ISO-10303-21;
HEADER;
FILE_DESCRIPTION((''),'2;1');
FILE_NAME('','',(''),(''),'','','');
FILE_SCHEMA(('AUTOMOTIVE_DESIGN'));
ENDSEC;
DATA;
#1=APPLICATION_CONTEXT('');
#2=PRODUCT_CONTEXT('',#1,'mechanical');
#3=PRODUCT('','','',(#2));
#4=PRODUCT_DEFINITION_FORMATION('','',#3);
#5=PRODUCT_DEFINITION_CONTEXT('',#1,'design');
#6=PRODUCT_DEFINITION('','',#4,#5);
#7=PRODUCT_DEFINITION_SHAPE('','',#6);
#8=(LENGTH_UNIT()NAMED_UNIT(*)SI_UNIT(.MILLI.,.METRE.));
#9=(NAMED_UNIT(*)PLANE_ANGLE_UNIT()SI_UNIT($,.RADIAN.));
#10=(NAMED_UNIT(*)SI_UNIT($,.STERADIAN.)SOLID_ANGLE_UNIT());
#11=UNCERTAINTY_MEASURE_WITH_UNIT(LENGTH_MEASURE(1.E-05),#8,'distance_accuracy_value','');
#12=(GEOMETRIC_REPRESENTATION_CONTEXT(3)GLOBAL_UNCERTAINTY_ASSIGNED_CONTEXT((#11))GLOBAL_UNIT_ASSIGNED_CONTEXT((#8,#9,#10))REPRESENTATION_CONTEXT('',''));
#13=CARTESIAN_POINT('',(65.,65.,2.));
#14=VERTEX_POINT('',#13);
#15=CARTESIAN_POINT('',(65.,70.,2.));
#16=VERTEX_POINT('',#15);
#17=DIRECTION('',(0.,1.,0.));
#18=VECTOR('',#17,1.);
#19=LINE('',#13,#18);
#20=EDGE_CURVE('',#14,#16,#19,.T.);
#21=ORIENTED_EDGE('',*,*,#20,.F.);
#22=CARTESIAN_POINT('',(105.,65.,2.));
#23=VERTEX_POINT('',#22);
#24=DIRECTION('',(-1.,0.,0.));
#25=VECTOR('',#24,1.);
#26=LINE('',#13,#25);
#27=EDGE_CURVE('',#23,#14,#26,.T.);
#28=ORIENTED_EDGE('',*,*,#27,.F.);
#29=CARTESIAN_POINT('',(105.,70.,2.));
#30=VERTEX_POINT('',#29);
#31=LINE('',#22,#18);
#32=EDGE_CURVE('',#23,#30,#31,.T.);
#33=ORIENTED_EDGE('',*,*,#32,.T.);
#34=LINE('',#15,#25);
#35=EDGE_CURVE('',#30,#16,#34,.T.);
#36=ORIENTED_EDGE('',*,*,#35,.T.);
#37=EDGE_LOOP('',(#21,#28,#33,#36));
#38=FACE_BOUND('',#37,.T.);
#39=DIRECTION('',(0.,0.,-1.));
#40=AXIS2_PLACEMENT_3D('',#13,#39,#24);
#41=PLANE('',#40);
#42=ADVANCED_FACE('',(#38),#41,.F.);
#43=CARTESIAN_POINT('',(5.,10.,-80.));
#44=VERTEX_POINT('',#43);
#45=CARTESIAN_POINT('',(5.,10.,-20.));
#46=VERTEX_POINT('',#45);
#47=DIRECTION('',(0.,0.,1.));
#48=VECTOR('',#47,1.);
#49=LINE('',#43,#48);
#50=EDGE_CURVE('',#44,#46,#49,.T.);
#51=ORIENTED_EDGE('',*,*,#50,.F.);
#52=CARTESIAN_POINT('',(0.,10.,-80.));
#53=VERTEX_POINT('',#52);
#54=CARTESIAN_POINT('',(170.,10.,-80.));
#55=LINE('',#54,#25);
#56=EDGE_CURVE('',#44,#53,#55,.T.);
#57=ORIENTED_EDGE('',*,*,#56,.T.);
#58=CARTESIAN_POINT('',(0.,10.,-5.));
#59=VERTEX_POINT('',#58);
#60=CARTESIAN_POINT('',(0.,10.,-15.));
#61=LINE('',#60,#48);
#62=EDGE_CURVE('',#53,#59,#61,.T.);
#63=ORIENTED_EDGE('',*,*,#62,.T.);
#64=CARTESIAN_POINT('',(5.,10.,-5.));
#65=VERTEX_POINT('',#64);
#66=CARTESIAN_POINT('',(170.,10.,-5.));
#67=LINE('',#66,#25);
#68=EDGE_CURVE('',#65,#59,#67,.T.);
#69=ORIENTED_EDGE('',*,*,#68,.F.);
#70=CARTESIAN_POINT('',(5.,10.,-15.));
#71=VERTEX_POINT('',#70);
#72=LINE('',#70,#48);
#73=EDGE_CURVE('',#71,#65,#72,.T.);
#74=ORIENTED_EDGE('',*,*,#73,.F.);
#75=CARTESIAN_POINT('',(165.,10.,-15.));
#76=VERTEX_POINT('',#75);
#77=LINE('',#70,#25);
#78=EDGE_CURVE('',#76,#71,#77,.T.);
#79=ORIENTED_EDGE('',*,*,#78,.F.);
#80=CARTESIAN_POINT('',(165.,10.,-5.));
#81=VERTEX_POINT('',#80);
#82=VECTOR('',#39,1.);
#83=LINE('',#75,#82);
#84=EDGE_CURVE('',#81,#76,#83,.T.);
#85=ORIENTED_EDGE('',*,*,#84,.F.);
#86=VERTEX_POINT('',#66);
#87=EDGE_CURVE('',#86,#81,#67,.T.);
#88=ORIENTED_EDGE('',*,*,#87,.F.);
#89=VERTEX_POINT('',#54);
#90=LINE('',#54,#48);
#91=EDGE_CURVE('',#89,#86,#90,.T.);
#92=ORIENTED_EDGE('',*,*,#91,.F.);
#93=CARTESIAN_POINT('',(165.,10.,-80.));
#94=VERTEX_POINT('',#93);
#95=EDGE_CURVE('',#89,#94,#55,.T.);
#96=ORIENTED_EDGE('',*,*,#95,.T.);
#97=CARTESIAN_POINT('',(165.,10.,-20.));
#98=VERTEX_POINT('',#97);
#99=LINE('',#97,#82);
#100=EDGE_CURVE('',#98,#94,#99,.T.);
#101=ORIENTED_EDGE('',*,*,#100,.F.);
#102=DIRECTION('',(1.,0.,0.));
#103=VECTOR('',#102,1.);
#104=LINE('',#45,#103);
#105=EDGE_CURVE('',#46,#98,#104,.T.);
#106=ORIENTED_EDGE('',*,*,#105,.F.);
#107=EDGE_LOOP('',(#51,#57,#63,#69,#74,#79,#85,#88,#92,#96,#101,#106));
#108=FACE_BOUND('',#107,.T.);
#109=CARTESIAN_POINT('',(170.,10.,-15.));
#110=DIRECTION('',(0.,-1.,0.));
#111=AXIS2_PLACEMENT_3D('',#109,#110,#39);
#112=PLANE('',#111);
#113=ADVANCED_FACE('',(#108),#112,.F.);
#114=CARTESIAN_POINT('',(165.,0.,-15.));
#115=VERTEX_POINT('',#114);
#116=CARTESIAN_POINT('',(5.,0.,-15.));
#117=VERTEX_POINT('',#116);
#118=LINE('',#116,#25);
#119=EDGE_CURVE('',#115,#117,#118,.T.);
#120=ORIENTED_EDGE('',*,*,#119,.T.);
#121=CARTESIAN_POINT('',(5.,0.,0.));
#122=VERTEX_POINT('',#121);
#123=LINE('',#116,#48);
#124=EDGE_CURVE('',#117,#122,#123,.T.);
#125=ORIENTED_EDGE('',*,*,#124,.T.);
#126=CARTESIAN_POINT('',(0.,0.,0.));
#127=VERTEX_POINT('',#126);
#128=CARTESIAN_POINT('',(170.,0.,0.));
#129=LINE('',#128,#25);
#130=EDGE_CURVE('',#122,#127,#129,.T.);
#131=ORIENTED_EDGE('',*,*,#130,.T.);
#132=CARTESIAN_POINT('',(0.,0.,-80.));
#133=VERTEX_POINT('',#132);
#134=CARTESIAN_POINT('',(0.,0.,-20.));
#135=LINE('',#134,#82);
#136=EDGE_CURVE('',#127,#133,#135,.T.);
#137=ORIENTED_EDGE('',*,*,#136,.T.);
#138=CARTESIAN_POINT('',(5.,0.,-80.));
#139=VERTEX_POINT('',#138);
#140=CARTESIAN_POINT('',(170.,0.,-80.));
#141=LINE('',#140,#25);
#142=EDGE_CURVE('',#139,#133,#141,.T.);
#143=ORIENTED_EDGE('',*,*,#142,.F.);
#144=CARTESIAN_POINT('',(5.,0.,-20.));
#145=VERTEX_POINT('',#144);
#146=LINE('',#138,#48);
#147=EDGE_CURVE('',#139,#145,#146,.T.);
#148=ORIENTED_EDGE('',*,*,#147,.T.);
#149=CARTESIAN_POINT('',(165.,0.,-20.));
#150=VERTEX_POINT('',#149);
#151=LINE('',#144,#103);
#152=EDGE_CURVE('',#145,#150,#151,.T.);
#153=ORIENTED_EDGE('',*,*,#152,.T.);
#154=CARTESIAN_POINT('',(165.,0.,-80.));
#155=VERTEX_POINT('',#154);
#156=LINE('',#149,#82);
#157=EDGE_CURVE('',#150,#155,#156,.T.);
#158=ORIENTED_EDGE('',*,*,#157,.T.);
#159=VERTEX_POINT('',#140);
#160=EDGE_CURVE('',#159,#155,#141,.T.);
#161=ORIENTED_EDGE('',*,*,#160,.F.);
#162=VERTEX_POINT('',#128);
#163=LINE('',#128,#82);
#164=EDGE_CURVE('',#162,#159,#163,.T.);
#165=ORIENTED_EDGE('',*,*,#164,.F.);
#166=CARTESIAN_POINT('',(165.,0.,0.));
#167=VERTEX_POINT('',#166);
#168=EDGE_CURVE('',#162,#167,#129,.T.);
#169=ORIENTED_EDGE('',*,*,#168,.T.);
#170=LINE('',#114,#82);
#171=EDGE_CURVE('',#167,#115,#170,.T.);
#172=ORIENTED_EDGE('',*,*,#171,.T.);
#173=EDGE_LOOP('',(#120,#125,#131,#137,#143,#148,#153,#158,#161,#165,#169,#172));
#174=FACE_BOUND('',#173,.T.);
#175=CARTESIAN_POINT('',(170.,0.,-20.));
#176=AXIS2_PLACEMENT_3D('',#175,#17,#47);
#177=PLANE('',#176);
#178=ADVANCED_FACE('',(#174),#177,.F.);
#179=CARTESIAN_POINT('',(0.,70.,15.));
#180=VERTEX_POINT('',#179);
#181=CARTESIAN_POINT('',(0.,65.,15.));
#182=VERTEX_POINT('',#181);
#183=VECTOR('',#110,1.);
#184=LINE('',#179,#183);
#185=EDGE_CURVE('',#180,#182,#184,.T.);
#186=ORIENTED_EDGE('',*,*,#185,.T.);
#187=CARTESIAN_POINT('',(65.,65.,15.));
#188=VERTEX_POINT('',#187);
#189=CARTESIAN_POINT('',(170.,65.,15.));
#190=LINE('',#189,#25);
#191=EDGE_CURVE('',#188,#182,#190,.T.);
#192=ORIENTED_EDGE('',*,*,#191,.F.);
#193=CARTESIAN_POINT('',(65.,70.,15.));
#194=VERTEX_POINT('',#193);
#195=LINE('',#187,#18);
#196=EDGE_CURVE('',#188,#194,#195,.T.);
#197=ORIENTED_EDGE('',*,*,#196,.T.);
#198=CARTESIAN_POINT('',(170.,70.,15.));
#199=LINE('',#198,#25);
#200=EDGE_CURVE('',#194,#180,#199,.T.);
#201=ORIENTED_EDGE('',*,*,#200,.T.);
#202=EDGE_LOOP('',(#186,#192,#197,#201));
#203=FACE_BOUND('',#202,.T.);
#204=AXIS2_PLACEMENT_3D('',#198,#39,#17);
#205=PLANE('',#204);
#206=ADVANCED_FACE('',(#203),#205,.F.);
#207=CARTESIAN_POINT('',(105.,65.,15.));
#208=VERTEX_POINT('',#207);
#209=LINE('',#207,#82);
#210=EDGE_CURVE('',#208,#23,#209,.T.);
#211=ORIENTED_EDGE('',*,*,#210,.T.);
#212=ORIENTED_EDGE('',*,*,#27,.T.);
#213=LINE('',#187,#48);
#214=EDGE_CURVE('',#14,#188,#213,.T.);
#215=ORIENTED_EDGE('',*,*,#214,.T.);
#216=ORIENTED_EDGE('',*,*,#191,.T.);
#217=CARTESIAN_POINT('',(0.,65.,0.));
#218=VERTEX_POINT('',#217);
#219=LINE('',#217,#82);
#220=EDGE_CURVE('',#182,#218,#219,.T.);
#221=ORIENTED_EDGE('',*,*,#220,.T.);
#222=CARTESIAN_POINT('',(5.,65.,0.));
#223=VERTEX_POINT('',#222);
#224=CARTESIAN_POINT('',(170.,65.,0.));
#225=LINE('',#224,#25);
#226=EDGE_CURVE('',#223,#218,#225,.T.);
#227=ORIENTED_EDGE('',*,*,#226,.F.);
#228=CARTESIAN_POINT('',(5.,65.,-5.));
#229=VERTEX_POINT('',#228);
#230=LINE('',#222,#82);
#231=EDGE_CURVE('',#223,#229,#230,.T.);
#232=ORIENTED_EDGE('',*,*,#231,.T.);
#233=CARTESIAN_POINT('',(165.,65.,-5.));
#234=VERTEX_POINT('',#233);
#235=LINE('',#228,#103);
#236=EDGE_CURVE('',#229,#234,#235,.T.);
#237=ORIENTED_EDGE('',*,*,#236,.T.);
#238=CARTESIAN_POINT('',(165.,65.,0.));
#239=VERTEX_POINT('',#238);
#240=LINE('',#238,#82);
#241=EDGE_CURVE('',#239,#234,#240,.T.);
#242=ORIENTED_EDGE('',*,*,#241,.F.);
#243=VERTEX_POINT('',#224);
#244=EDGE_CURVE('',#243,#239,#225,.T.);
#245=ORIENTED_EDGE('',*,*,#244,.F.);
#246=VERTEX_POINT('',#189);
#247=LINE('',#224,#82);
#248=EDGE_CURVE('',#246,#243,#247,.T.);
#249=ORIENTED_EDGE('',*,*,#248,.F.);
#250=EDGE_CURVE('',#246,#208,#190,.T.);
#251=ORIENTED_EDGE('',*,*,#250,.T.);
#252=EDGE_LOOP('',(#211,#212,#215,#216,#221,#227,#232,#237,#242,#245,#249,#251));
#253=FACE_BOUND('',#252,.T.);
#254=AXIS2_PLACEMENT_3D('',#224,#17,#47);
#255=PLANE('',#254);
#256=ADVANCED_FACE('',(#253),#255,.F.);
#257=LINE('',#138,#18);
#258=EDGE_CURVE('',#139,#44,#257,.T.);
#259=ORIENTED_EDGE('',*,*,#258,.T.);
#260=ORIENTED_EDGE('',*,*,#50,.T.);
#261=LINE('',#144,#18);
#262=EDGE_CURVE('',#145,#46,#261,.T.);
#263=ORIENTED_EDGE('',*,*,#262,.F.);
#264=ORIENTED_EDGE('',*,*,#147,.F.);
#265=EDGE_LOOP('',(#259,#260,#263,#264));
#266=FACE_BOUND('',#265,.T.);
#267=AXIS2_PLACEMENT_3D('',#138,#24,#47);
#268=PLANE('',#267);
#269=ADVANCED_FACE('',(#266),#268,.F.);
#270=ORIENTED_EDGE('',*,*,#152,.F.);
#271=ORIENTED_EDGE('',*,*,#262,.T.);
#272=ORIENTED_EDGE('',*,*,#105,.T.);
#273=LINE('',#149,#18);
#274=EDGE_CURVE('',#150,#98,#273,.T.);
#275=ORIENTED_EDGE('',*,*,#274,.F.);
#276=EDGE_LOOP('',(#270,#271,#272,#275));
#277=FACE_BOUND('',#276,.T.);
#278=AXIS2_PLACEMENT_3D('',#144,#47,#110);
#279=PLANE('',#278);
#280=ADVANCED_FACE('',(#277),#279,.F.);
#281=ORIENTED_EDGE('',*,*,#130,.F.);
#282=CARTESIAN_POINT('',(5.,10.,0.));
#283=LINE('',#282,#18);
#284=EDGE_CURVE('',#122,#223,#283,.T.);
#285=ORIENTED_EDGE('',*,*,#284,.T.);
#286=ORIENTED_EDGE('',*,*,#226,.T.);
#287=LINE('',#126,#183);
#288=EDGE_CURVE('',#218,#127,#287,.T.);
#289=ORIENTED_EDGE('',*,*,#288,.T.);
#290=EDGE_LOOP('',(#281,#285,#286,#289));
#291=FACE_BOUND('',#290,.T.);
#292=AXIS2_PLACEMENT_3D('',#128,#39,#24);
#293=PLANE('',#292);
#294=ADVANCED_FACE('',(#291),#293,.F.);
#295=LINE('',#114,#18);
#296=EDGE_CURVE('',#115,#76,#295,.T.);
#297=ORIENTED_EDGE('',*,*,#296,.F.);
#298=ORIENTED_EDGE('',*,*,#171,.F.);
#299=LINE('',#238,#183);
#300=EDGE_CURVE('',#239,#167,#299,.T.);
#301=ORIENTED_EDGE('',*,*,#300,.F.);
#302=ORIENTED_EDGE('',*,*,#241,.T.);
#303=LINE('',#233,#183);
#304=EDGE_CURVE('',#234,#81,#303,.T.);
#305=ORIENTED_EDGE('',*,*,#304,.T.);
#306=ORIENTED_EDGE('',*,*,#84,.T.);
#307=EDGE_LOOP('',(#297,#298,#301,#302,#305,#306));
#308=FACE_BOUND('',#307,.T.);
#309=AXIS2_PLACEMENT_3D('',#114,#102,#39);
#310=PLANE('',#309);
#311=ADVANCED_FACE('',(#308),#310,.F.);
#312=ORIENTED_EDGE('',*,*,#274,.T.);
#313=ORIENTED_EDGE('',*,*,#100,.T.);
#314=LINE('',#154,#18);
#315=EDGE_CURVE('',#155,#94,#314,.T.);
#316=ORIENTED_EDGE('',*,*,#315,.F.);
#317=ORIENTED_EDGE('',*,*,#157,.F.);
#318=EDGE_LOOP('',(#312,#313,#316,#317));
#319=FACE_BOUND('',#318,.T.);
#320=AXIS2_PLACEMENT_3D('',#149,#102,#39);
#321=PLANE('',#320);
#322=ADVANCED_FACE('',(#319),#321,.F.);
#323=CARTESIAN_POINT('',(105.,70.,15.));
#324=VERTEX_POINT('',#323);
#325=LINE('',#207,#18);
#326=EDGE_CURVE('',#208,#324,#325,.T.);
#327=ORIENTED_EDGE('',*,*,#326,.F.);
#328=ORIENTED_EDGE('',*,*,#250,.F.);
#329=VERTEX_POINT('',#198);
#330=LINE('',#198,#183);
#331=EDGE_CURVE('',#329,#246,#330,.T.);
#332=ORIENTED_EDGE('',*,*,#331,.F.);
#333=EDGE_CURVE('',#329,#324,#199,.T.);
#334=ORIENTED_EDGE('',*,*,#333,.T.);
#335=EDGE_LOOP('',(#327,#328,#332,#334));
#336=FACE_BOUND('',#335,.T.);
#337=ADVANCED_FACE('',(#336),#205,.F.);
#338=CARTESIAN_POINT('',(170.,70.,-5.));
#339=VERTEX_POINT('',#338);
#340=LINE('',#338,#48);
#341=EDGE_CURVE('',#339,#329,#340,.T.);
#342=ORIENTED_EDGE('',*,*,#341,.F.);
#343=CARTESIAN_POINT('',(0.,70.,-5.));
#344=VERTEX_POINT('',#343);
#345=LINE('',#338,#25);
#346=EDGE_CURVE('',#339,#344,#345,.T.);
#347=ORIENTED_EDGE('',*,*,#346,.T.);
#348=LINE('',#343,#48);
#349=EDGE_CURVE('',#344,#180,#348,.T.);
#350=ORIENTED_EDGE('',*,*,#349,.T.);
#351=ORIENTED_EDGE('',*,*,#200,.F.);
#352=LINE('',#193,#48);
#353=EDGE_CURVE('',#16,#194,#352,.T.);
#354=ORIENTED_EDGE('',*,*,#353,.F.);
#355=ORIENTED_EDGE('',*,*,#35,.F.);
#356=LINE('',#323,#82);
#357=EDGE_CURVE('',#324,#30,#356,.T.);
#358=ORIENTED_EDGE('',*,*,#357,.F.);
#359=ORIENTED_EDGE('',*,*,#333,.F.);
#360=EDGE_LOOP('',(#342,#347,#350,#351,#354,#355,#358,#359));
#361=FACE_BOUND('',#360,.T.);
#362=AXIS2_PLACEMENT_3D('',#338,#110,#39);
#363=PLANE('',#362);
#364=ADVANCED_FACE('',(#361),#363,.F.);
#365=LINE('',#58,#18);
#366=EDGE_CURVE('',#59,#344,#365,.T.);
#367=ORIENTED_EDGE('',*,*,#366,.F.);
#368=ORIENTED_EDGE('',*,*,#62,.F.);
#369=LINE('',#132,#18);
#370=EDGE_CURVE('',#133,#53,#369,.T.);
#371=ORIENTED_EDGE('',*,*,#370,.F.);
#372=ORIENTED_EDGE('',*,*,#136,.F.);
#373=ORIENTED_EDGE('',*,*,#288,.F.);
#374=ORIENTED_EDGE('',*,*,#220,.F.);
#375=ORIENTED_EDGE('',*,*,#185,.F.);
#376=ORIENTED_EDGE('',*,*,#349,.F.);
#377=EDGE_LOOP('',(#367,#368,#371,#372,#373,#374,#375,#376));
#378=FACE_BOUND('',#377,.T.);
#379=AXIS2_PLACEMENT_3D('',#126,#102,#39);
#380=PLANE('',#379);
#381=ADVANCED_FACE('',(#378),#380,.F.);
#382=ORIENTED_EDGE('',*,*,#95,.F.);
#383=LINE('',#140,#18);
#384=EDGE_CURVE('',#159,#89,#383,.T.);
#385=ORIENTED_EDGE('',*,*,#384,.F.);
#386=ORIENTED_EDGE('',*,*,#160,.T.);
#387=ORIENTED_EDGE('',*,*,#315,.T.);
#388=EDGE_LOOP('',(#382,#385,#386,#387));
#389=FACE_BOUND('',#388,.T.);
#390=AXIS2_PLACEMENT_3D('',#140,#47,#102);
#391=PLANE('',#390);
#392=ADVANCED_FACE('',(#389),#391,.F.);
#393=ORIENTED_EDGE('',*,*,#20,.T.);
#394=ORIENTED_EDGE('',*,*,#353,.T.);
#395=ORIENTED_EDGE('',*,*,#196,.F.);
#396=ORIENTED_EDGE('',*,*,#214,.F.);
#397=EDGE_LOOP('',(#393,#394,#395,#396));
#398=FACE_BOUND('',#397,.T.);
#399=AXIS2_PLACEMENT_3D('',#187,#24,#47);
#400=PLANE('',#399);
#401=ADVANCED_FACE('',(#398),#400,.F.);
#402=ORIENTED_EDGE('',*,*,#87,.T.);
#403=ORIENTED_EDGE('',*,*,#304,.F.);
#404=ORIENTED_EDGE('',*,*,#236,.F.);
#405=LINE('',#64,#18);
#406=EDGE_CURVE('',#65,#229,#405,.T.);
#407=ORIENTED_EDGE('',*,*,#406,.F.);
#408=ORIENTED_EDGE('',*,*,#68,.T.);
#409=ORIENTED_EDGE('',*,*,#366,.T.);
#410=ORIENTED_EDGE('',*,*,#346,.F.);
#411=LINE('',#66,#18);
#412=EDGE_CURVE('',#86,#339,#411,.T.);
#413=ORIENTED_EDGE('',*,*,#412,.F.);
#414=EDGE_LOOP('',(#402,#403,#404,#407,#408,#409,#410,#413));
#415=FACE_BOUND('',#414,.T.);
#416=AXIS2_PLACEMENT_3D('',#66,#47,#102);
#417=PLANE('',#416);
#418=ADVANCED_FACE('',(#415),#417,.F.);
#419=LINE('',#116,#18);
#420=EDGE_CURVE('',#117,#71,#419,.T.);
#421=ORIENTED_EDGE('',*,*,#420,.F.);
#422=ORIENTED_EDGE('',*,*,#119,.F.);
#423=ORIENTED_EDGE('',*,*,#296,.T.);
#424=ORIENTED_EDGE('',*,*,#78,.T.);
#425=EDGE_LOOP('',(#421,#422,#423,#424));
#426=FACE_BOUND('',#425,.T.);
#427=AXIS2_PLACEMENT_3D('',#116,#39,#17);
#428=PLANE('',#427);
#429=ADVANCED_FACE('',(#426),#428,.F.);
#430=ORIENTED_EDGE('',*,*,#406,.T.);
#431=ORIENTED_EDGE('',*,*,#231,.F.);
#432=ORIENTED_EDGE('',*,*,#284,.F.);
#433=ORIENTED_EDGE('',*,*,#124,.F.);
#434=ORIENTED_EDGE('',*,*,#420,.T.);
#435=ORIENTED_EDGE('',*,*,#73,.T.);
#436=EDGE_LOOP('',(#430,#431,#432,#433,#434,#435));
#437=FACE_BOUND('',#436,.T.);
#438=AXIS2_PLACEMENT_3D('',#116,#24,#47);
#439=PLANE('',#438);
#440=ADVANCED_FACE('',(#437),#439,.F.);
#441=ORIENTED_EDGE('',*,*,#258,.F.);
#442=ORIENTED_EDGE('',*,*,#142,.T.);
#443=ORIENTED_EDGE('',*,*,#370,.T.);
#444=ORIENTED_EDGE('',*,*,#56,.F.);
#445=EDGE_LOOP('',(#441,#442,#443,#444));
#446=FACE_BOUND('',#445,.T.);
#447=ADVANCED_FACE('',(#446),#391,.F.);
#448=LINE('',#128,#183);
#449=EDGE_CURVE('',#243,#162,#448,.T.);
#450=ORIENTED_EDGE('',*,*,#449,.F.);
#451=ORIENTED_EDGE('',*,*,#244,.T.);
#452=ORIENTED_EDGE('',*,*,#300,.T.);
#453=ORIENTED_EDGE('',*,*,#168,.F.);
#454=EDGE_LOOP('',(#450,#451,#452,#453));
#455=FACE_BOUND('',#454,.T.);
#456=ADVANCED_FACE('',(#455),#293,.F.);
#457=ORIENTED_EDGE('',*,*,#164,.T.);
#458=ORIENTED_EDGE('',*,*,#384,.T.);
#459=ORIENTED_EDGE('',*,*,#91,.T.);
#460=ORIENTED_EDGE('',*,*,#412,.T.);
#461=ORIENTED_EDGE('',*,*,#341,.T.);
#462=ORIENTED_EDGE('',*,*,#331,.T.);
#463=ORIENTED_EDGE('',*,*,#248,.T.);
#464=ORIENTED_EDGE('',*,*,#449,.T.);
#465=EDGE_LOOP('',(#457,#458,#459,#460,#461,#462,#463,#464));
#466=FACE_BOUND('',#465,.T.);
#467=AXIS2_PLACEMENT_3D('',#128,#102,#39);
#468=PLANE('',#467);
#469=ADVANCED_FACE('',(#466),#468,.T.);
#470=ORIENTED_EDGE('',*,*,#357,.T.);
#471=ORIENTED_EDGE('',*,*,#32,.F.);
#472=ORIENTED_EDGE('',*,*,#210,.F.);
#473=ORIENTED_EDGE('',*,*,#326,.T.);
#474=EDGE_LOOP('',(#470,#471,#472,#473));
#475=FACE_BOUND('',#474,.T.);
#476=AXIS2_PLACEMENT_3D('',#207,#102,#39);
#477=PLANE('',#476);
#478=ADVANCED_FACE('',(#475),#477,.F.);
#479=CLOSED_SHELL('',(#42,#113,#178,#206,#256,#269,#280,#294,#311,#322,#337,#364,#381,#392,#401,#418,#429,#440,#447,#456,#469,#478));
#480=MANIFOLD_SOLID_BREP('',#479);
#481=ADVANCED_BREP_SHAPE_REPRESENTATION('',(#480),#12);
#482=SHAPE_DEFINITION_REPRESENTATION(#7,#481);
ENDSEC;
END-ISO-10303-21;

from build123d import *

# Parameters (mm, degrees)
EXTRUDE_2_DEPTH     = 170
SKETCH_5_W          = 160
SKETCH_5_H          = 60
CUT_EXTRUDE_2_DEPTH = 10
SKETCH_6_W          = 160
SKETCH_6_H          = 10
CUT_EXTRUDE_3_DEPTH = 10
SKETCH_7_W          = 160
SKETCH_7_H          = 55
CUT_EXTRUDE_4_DEPTH = 5
SKETCH_8_W          = 160
SKETCH_8_H          = 10
CUT_EXTRUDE_5_DEPTH = 5
CUT_EXTRUDE_6_DEPTH = 5


with BuildPart() as part:
    # 草图1 → 凸台-拉伸2 (new body)
    with BuildSketch(Plane(origin=(0, 0, 0), x_dir=(0, 0, -1), z_dir=(1, 0, 0))):
        Polygon((0, 0), (15, 0), (20, 0), (80, 0), (80, 10), (20, 10), (15, 10), (5, 10), (5, 70), (-15, 70), (-15, 65), (0, 65), align=None)
    extrude(amount=EXTRUDE_2_DEPTH)

    # 草图5 → 切除-拉伸2 (cut)
    with BuildSketch(Plane(origin=(0, 10, 0), x_dir=(1, 0, 0), z_dir=(0, 1, 0))):
        with Locations((85, 50)):
            Rectangle(SKETCH_5_W, SKETCH_5_H)
    extrude(amount=-CUT_EXTRUDE_2_DEPTH, mode=Mode.SUBTRACT)

    # 草图6 → 切除-拉伸3 (cut)
    with BuildSketch(Plane(origin=(0, 10, 0), x_dir=(1, 0, 0), z_dir=(0, 1, 0))):
        with Locations((85, 10)):
            Rectangle(SKETCH_6_W, SKETCH_6_H)
    extrude(amount=-CUT_EXTRUDE_3_DEPTH, mode=Mode.SUBTRACT)

    # 草图7 → 切除-拉伸4 (cut)
    with BuildSketch(Plane(origin=(0, 0, -5), x_dir=(-1, 0, 0), z_dir=(0, 0, -1))):
        with Locations((-85, 37.5)):
            Rectangle(SKETCH_7_W, SKETCH_7_H)
    extrude(amount=-CUT_EXTRUDE_4_DEPTH, mode=Mode.SUBTRACT)

    # 草图8 → 切除-拉伸5 (cut)
    with BuildSketch(Plane(origin=(0, 0, -5), x_dir=(-1, 0, 0), z_dir=(0, 0, -1))):
        with Locations((-85, 5)):
            Rectangle(SKETCH_8_W, SKETCH_8_H)
    extrude(amount=-CUT_EXTRUDE_5_DEPTH, mode=Mode.SUBTRACT)

    # 草图9 → 切除-拉伸6 (cut)
    with BuildSketch(Plane(origin=(0, 70, 0), x_dir=(1, 0, 0), z_dir=(0, 1, 0))):
        Polygon((85, -15), (105, -15), (105, -2), (65, -2), (65, -15), align=None)
    extrude(amount=-CUT_EXTRUDE_6_DEPTH, mode=Mode.SUBTRACT)


solid = part.part
